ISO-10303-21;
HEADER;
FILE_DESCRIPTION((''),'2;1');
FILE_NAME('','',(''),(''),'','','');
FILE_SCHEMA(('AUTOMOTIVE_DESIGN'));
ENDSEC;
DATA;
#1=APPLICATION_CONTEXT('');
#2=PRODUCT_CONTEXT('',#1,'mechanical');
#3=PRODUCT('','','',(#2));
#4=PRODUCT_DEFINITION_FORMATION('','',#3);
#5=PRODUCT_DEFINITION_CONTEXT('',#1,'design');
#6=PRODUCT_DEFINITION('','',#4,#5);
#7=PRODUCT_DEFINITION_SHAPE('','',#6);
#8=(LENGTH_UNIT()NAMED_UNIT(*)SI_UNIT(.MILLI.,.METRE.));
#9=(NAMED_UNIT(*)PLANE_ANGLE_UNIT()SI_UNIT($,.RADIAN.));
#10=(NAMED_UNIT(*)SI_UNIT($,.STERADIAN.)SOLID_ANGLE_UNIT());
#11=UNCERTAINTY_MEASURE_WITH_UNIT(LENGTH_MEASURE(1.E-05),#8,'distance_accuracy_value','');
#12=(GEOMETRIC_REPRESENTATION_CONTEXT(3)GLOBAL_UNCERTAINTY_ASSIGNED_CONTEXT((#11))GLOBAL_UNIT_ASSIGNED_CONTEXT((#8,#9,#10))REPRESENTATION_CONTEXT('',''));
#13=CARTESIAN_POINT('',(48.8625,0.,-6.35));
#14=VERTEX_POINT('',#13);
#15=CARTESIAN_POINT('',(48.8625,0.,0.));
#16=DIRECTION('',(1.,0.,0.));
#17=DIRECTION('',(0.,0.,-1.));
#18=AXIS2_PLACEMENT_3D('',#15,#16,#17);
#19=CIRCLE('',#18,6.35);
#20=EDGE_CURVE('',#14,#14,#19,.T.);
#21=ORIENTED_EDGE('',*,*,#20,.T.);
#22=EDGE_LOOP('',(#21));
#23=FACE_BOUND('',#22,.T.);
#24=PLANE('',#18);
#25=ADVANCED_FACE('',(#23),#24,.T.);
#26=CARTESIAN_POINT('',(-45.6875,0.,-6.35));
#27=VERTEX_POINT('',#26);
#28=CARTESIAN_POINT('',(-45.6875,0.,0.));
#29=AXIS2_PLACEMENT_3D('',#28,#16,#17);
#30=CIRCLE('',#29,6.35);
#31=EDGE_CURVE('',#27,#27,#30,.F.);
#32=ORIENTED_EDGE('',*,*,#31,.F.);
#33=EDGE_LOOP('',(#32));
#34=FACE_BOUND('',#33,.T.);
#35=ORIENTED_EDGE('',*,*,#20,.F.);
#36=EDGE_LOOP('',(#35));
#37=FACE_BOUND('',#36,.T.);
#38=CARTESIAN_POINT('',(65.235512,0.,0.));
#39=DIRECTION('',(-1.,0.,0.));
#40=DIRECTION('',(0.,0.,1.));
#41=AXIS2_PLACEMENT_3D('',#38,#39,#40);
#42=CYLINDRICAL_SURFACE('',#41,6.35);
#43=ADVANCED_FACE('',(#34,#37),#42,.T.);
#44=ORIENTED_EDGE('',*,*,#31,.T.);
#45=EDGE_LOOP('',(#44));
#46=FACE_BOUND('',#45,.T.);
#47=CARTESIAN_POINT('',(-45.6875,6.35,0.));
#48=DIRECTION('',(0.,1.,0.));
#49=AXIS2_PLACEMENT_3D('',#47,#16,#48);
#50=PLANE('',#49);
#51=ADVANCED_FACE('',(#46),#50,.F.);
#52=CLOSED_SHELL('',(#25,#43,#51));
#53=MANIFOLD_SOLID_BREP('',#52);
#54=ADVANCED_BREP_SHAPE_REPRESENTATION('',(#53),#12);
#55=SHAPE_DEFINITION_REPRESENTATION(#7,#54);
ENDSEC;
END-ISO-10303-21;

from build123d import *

# Parameters (mm, degrees)
SKETCH1_R                = 6.35
BOSS_EXTRUDE1_DEPTH      = 45.6875
BOSS_EXTRUDE1_DEPTH_BACK = 45.6875
SKETCH3_R                = 6.35
BOSS_EXTRUDE2_DEPTH      = 3.175


with BuildPart() as part:
    # Sketch1 → Boss-Extrude1 (new body, two sides)
    with BuildSketch(Plane(origin=(0, 0, 0), x_dir=(0, 0, -1), z_dir=(1, 0, 0))) as boss_extrude1_sk:
        Circle(SKETCH1_R)
    extrude(amount=BOSS_EXTRUDE1_DEPTH)
    extrude(boss_extrude1_sk.sketch, amount=-BOSS_EXTRUDE1_DEPTH_BACK)

    # Sketch3 → Boss-Extrude2 (add)
    with BuildSketch(Plane(origin=(45.6875, 0, 0), x_dir=(0, 0, -1), z_dir=(1, 0, 0))):
        Circle(SKETCH3_R)
    extrude(amount=BOSS_EXTRUDE2_DEPTH)


solid = part.part
